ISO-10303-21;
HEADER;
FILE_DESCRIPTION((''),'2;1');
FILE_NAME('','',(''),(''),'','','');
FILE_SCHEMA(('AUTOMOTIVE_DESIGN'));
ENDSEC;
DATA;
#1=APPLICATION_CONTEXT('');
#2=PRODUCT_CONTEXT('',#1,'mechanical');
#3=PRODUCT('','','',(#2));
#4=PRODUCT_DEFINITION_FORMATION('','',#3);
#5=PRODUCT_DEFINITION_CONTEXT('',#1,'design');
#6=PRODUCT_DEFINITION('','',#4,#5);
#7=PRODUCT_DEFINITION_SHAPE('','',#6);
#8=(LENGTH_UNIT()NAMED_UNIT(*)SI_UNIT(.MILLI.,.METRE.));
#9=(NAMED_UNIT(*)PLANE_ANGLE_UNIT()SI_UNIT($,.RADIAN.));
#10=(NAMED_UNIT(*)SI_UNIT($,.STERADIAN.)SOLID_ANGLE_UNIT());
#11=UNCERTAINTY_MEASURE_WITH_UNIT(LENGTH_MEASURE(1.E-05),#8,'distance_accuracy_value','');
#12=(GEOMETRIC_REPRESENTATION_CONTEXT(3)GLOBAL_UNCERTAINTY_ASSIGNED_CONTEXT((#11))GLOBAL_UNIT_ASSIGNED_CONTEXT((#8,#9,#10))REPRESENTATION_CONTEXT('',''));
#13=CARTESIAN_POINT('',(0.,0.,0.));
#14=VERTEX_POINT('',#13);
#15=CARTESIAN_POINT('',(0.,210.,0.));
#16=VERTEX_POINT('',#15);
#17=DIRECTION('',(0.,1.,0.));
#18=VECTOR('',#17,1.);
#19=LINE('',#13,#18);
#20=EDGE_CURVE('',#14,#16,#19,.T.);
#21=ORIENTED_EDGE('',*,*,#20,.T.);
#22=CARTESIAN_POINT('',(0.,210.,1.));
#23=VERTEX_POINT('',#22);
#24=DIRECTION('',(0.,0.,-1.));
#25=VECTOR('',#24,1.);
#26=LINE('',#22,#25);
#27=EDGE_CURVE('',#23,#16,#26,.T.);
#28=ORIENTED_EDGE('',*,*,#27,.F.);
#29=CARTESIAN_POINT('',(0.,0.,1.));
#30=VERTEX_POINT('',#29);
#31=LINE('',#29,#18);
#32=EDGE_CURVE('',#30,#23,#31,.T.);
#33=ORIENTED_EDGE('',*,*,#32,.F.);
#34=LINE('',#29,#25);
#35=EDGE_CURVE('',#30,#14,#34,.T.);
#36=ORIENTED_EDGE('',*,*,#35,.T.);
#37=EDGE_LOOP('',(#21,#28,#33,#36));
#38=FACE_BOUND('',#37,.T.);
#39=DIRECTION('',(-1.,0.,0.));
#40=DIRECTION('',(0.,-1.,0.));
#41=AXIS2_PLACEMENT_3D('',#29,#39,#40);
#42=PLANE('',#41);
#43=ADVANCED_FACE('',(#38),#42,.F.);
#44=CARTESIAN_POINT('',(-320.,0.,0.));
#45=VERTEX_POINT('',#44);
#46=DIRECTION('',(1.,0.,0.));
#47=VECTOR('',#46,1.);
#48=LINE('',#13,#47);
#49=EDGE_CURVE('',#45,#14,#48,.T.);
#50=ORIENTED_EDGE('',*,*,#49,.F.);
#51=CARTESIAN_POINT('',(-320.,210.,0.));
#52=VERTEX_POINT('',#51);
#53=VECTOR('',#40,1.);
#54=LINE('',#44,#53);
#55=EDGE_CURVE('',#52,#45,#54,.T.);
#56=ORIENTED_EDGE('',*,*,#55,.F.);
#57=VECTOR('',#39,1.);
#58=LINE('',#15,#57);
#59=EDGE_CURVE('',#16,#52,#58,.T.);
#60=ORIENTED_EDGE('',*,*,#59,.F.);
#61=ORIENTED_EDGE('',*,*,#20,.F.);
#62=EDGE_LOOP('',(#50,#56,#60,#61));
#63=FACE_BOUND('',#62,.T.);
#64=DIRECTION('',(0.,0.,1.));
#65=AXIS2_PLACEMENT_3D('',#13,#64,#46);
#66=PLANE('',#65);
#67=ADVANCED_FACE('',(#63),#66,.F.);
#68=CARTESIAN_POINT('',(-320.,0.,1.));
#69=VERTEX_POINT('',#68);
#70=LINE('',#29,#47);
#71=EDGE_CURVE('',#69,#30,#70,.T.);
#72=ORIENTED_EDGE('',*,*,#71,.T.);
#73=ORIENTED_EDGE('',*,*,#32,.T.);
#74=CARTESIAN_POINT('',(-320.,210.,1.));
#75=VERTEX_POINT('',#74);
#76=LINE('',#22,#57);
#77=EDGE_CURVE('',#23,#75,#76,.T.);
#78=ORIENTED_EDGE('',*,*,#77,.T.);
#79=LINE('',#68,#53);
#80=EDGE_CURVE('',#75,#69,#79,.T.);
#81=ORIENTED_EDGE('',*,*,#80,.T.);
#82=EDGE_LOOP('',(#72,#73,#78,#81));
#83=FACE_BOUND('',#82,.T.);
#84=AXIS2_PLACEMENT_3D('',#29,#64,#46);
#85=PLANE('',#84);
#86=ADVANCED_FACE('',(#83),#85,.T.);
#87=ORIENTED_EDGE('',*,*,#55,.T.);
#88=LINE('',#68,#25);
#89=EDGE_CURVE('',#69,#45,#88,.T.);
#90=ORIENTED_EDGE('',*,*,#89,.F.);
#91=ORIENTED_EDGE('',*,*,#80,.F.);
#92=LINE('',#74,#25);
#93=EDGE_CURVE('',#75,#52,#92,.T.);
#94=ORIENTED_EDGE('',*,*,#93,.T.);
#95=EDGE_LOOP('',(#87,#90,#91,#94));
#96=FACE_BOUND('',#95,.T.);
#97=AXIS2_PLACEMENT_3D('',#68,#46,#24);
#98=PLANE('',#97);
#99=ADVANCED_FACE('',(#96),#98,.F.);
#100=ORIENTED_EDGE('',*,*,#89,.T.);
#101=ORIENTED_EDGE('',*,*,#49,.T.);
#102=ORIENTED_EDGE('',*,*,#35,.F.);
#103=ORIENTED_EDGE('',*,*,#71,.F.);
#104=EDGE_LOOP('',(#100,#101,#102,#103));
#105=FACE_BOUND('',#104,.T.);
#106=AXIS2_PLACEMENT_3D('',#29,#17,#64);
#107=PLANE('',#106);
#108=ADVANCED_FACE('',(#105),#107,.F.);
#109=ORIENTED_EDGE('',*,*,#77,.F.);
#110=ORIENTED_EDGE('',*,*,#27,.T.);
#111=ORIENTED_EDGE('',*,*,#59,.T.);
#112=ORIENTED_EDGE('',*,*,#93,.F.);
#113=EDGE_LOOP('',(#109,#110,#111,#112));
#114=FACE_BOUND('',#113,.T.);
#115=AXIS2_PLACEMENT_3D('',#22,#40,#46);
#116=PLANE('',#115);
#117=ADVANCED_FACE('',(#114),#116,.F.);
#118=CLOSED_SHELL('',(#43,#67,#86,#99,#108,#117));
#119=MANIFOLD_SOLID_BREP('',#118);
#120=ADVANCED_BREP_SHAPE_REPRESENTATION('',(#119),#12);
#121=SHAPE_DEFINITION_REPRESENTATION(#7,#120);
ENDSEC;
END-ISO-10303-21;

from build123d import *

# Parameters (mm, degrees)
SKETCH_1_W      = 320
SKETCH_1_H      = 210
EXTRUDE_1_DEPTH = 1


with BuildPart() as part:
    # 草图1 → 凸台-拉伸1 (new body)
    with BuildSketch(Plane.XY):
        with Locations((-160, 105)):
            Rectangle(SKETCH_1_W, SKETCH_1_H)
    extrude(amount=EXTRUDE_1_DEPTH)


solid = part.part
